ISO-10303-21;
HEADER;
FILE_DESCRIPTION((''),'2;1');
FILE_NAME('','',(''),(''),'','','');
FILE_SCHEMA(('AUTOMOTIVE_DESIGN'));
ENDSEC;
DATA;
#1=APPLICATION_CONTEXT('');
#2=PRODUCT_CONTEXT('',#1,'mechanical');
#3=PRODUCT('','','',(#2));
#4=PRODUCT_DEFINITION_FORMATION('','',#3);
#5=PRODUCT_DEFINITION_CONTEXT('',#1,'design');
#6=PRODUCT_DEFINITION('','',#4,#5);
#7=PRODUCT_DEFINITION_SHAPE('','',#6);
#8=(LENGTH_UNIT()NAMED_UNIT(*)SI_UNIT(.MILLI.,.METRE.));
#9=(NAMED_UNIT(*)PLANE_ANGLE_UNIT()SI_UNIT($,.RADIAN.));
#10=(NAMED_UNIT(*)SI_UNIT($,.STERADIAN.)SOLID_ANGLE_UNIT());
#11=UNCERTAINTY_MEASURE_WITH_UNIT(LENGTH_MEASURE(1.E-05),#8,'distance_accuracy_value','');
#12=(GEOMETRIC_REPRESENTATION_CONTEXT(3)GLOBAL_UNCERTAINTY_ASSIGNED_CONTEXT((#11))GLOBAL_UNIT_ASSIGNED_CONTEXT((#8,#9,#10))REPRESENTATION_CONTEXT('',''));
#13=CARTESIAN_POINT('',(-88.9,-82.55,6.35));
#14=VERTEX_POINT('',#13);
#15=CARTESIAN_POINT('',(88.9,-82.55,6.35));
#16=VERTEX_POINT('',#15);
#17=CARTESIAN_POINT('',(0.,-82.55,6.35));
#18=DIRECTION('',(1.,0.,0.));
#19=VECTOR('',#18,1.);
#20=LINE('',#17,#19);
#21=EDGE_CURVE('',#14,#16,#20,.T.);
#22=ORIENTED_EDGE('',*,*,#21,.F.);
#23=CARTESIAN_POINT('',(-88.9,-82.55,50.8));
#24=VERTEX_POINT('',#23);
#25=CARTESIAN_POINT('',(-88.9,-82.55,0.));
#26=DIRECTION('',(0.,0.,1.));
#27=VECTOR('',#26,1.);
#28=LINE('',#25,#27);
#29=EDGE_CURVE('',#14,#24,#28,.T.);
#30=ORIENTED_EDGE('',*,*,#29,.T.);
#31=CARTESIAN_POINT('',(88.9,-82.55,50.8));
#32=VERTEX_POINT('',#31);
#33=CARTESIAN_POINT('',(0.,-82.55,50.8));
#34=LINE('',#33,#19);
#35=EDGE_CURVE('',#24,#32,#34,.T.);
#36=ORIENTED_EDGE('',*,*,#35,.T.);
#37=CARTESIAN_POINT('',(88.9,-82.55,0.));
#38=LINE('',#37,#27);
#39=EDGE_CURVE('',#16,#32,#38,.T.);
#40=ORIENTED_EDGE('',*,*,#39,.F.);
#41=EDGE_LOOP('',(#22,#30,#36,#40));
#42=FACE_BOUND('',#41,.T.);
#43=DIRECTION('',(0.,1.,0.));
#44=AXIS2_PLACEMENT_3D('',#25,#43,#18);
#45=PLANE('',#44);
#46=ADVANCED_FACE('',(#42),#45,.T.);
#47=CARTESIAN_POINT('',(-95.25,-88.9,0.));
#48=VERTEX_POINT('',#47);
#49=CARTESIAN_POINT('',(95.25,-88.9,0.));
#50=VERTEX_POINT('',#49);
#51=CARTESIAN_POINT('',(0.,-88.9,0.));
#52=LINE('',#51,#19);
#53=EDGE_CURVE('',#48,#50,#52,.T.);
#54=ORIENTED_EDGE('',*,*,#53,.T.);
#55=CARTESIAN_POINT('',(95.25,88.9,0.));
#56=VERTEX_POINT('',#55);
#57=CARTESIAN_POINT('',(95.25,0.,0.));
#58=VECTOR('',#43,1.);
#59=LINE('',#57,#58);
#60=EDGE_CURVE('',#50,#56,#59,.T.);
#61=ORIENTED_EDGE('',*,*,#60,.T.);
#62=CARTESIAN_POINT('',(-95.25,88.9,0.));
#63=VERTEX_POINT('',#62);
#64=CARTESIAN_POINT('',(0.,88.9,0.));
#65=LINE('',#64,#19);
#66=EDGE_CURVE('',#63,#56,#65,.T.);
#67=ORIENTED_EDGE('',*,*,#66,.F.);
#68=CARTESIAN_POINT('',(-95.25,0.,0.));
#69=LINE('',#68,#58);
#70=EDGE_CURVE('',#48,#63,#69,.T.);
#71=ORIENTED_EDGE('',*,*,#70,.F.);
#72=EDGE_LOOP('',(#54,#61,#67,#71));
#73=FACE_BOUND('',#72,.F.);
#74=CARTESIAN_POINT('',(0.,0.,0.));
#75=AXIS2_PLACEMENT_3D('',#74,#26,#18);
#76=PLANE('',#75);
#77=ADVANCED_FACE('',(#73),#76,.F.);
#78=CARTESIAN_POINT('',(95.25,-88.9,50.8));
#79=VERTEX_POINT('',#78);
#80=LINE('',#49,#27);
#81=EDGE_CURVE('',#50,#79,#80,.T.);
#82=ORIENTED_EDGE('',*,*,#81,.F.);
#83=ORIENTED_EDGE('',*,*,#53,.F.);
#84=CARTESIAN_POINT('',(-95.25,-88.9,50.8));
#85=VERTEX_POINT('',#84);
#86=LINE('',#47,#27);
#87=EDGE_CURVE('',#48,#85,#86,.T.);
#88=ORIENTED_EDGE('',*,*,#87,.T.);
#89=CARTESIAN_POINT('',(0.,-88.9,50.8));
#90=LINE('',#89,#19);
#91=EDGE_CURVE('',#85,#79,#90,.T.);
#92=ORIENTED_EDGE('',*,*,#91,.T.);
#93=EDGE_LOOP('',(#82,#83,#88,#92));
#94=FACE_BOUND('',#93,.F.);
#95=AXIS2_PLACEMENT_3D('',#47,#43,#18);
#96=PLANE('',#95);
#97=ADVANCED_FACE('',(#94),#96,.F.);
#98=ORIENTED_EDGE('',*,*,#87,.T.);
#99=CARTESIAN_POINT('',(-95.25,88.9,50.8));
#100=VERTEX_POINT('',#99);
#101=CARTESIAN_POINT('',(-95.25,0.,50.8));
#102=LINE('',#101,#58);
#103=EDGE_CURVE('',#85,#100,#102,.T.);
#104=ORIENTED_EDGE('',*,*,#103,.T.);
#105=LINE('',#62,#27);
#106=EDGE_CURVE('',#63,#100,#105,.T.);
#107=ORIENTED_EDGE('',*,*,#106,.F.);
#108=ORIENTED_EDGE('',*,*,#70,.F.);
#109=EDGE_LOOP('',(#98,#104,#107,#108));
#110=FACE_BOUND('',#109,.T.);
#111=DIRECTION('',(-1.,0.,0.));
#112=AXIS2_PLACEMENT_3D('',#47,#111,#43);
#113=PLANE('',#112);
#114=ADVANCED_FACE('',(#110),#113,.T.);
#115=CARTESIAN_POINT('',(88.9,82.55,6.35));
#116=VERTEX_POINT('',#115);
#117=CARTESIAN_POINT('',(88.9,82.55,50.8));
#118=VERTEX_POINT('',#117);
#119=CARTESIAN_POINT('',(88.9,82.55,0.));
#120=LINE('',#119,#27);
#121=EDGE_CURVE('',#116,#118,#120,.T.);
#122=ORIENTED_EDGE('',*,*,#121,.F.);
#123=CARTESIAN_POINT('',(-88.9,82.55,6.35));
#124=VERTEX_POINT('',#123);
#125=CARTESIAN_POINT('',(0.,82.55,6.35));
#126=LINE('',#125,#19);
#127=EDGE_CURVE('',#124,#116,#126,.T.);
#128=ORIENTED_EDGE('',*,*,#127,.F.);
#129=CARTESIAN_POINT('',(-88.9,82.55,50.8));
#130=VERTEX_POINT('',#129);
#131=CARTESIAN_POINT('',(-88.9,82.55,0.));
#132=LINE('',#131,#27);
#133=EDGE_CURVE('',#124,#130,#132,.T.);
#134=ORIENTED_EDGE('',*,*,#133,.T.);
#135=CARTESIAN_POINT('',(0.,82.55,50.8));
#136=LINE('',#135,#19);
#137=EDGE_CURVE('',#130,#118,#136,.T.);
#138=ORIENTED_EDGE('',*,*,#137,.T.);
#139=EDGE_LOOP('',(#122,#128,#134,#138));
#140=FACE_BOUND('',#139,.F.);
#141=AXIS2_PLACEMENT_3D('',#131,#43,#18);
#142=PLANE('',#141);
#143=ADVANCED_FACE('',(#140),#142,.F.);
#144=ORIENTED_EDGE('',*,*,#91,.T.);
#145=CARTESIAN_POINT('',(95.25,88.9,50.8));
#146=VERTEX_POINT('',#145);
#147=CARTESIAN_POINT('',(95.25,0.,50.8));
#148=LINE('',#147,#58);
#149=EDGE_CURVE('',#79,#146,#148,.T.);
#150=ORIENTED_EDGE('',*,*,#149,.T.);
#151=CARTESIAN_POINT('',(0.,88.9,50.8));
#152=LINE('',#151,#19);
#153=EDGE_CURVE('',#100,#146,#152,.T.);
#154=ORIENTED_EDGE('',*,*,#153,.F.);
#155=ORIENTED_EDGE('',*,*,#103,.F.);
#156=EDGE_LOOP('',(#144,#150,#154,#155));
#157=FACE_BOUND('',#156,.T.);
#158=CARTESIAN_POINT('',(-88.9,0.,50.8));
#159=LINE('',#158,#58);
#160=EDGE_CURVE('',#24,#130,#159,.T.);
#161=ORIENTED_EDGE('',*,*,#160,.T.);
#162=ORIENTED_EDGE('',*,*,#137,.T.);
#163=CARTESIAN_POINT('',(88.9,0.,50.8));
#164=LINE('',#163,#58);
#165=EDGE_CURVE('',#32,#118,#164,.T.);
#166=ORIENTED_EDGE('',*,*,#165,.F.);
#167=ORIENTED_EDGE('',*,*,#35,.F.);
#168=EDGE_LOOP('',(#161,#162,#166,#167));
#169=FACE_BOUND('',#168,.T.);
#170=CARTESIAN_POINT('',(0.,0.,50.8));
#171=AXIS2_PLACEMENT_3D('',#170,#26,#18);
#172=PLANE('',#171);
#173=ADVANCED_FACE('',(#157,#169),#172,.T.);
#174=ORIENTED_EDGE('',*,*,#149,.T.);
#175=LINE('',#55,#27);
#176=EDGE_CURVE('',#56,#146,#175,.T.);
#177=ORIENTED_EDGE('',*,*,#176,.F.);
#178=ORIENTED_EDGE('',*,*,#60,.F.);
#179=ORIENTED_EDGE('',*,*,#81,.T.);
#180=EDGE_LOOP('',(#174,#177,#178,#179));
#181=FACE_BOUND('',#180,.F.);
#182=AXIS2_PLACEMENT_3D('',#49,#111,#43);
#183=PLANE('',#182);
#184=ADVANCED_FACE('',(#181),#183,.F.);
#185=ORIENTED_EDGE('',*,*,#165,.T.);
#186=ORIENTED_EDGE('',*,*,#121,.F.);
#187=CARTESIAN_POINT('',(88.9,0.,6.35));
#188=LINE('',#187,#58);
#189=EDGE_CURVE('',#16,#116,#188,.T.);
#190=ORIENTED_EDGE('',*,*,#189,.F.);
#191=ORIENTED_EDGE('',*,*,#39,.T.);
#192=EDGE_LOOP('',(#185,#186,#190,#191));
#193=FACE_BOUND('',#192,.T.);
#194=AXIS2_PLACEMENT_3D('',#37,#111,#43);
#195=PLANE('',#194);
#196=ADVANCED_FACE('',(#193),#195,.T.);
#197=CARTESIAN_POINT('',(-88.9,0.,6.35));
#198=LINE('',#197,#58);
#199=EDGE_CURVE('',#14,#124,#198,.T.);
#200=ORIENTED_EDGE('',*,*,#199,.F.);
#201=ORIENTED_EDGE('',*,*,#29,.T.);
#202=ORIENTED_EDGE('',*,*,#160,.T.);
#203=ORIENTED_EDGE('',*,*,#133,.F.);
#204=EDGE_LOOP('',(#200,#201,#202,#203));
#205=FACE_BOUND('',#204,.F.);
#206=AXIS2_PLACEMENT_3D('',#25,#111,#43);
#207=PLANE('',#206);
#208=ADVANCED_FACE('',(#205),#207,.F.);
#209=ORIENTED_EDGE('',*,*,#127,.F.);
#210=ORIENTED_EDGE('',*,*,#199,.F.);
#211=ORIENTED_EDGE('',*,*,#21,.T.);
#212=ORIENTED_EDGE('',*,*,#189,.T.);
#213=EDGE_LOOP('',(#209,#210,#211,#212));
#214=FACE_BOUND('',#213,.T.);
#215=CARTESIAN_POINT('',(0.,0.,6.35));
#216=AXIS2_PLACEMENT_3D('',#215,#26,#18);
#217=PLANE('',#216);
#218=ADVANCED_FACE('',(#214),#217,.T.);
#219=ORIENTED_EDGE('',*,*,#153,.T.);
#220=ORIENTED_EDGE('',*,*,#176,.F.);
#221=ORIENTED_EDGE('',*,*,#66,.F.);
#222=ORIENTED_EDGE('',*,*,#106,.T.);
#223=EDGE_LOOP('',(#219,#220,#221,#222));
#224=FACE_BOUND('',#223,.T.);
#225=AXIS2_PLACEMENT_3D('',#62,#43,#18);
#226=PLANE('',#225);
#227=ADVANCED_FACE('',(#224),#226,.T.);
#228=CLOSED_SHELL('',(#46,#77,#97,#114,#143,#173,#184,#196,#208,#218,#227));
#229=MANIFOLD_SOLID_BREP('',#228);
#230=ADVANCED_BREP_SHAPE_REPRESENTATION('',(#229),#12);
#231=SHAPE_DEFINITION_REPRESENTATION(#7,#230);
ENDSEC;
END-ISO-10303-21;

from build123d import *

# Parameters (mm, degrees)
F0_W     = 177.8
F0_H     = 165.1
F1_DEPTH = 6.35
F2_W     = 190.5
F2_H     = 177.8
F2_W_2   = 177.8
F2_H_2   = 165.1
F3_DEPTH = 50.8


with BuildPart() as f1:
    # F0 (on Top) → F1 (new body)
    with BuildSketch(Plane.XY):
        Rectangle(F0_W, F0_H)
    extrude(amount=F1_DEPTH)

    # F2 (on Top) → F3 (join)
    with BuildSketch(Plane.XY):
        Rectangle(F2_W, F2_H)
        Rectangle(F2_W_2, F2_H_2, mode=Mode.SUBTRACT)
    extrude(amount=F3_DEPTH)


solid = f1.part
